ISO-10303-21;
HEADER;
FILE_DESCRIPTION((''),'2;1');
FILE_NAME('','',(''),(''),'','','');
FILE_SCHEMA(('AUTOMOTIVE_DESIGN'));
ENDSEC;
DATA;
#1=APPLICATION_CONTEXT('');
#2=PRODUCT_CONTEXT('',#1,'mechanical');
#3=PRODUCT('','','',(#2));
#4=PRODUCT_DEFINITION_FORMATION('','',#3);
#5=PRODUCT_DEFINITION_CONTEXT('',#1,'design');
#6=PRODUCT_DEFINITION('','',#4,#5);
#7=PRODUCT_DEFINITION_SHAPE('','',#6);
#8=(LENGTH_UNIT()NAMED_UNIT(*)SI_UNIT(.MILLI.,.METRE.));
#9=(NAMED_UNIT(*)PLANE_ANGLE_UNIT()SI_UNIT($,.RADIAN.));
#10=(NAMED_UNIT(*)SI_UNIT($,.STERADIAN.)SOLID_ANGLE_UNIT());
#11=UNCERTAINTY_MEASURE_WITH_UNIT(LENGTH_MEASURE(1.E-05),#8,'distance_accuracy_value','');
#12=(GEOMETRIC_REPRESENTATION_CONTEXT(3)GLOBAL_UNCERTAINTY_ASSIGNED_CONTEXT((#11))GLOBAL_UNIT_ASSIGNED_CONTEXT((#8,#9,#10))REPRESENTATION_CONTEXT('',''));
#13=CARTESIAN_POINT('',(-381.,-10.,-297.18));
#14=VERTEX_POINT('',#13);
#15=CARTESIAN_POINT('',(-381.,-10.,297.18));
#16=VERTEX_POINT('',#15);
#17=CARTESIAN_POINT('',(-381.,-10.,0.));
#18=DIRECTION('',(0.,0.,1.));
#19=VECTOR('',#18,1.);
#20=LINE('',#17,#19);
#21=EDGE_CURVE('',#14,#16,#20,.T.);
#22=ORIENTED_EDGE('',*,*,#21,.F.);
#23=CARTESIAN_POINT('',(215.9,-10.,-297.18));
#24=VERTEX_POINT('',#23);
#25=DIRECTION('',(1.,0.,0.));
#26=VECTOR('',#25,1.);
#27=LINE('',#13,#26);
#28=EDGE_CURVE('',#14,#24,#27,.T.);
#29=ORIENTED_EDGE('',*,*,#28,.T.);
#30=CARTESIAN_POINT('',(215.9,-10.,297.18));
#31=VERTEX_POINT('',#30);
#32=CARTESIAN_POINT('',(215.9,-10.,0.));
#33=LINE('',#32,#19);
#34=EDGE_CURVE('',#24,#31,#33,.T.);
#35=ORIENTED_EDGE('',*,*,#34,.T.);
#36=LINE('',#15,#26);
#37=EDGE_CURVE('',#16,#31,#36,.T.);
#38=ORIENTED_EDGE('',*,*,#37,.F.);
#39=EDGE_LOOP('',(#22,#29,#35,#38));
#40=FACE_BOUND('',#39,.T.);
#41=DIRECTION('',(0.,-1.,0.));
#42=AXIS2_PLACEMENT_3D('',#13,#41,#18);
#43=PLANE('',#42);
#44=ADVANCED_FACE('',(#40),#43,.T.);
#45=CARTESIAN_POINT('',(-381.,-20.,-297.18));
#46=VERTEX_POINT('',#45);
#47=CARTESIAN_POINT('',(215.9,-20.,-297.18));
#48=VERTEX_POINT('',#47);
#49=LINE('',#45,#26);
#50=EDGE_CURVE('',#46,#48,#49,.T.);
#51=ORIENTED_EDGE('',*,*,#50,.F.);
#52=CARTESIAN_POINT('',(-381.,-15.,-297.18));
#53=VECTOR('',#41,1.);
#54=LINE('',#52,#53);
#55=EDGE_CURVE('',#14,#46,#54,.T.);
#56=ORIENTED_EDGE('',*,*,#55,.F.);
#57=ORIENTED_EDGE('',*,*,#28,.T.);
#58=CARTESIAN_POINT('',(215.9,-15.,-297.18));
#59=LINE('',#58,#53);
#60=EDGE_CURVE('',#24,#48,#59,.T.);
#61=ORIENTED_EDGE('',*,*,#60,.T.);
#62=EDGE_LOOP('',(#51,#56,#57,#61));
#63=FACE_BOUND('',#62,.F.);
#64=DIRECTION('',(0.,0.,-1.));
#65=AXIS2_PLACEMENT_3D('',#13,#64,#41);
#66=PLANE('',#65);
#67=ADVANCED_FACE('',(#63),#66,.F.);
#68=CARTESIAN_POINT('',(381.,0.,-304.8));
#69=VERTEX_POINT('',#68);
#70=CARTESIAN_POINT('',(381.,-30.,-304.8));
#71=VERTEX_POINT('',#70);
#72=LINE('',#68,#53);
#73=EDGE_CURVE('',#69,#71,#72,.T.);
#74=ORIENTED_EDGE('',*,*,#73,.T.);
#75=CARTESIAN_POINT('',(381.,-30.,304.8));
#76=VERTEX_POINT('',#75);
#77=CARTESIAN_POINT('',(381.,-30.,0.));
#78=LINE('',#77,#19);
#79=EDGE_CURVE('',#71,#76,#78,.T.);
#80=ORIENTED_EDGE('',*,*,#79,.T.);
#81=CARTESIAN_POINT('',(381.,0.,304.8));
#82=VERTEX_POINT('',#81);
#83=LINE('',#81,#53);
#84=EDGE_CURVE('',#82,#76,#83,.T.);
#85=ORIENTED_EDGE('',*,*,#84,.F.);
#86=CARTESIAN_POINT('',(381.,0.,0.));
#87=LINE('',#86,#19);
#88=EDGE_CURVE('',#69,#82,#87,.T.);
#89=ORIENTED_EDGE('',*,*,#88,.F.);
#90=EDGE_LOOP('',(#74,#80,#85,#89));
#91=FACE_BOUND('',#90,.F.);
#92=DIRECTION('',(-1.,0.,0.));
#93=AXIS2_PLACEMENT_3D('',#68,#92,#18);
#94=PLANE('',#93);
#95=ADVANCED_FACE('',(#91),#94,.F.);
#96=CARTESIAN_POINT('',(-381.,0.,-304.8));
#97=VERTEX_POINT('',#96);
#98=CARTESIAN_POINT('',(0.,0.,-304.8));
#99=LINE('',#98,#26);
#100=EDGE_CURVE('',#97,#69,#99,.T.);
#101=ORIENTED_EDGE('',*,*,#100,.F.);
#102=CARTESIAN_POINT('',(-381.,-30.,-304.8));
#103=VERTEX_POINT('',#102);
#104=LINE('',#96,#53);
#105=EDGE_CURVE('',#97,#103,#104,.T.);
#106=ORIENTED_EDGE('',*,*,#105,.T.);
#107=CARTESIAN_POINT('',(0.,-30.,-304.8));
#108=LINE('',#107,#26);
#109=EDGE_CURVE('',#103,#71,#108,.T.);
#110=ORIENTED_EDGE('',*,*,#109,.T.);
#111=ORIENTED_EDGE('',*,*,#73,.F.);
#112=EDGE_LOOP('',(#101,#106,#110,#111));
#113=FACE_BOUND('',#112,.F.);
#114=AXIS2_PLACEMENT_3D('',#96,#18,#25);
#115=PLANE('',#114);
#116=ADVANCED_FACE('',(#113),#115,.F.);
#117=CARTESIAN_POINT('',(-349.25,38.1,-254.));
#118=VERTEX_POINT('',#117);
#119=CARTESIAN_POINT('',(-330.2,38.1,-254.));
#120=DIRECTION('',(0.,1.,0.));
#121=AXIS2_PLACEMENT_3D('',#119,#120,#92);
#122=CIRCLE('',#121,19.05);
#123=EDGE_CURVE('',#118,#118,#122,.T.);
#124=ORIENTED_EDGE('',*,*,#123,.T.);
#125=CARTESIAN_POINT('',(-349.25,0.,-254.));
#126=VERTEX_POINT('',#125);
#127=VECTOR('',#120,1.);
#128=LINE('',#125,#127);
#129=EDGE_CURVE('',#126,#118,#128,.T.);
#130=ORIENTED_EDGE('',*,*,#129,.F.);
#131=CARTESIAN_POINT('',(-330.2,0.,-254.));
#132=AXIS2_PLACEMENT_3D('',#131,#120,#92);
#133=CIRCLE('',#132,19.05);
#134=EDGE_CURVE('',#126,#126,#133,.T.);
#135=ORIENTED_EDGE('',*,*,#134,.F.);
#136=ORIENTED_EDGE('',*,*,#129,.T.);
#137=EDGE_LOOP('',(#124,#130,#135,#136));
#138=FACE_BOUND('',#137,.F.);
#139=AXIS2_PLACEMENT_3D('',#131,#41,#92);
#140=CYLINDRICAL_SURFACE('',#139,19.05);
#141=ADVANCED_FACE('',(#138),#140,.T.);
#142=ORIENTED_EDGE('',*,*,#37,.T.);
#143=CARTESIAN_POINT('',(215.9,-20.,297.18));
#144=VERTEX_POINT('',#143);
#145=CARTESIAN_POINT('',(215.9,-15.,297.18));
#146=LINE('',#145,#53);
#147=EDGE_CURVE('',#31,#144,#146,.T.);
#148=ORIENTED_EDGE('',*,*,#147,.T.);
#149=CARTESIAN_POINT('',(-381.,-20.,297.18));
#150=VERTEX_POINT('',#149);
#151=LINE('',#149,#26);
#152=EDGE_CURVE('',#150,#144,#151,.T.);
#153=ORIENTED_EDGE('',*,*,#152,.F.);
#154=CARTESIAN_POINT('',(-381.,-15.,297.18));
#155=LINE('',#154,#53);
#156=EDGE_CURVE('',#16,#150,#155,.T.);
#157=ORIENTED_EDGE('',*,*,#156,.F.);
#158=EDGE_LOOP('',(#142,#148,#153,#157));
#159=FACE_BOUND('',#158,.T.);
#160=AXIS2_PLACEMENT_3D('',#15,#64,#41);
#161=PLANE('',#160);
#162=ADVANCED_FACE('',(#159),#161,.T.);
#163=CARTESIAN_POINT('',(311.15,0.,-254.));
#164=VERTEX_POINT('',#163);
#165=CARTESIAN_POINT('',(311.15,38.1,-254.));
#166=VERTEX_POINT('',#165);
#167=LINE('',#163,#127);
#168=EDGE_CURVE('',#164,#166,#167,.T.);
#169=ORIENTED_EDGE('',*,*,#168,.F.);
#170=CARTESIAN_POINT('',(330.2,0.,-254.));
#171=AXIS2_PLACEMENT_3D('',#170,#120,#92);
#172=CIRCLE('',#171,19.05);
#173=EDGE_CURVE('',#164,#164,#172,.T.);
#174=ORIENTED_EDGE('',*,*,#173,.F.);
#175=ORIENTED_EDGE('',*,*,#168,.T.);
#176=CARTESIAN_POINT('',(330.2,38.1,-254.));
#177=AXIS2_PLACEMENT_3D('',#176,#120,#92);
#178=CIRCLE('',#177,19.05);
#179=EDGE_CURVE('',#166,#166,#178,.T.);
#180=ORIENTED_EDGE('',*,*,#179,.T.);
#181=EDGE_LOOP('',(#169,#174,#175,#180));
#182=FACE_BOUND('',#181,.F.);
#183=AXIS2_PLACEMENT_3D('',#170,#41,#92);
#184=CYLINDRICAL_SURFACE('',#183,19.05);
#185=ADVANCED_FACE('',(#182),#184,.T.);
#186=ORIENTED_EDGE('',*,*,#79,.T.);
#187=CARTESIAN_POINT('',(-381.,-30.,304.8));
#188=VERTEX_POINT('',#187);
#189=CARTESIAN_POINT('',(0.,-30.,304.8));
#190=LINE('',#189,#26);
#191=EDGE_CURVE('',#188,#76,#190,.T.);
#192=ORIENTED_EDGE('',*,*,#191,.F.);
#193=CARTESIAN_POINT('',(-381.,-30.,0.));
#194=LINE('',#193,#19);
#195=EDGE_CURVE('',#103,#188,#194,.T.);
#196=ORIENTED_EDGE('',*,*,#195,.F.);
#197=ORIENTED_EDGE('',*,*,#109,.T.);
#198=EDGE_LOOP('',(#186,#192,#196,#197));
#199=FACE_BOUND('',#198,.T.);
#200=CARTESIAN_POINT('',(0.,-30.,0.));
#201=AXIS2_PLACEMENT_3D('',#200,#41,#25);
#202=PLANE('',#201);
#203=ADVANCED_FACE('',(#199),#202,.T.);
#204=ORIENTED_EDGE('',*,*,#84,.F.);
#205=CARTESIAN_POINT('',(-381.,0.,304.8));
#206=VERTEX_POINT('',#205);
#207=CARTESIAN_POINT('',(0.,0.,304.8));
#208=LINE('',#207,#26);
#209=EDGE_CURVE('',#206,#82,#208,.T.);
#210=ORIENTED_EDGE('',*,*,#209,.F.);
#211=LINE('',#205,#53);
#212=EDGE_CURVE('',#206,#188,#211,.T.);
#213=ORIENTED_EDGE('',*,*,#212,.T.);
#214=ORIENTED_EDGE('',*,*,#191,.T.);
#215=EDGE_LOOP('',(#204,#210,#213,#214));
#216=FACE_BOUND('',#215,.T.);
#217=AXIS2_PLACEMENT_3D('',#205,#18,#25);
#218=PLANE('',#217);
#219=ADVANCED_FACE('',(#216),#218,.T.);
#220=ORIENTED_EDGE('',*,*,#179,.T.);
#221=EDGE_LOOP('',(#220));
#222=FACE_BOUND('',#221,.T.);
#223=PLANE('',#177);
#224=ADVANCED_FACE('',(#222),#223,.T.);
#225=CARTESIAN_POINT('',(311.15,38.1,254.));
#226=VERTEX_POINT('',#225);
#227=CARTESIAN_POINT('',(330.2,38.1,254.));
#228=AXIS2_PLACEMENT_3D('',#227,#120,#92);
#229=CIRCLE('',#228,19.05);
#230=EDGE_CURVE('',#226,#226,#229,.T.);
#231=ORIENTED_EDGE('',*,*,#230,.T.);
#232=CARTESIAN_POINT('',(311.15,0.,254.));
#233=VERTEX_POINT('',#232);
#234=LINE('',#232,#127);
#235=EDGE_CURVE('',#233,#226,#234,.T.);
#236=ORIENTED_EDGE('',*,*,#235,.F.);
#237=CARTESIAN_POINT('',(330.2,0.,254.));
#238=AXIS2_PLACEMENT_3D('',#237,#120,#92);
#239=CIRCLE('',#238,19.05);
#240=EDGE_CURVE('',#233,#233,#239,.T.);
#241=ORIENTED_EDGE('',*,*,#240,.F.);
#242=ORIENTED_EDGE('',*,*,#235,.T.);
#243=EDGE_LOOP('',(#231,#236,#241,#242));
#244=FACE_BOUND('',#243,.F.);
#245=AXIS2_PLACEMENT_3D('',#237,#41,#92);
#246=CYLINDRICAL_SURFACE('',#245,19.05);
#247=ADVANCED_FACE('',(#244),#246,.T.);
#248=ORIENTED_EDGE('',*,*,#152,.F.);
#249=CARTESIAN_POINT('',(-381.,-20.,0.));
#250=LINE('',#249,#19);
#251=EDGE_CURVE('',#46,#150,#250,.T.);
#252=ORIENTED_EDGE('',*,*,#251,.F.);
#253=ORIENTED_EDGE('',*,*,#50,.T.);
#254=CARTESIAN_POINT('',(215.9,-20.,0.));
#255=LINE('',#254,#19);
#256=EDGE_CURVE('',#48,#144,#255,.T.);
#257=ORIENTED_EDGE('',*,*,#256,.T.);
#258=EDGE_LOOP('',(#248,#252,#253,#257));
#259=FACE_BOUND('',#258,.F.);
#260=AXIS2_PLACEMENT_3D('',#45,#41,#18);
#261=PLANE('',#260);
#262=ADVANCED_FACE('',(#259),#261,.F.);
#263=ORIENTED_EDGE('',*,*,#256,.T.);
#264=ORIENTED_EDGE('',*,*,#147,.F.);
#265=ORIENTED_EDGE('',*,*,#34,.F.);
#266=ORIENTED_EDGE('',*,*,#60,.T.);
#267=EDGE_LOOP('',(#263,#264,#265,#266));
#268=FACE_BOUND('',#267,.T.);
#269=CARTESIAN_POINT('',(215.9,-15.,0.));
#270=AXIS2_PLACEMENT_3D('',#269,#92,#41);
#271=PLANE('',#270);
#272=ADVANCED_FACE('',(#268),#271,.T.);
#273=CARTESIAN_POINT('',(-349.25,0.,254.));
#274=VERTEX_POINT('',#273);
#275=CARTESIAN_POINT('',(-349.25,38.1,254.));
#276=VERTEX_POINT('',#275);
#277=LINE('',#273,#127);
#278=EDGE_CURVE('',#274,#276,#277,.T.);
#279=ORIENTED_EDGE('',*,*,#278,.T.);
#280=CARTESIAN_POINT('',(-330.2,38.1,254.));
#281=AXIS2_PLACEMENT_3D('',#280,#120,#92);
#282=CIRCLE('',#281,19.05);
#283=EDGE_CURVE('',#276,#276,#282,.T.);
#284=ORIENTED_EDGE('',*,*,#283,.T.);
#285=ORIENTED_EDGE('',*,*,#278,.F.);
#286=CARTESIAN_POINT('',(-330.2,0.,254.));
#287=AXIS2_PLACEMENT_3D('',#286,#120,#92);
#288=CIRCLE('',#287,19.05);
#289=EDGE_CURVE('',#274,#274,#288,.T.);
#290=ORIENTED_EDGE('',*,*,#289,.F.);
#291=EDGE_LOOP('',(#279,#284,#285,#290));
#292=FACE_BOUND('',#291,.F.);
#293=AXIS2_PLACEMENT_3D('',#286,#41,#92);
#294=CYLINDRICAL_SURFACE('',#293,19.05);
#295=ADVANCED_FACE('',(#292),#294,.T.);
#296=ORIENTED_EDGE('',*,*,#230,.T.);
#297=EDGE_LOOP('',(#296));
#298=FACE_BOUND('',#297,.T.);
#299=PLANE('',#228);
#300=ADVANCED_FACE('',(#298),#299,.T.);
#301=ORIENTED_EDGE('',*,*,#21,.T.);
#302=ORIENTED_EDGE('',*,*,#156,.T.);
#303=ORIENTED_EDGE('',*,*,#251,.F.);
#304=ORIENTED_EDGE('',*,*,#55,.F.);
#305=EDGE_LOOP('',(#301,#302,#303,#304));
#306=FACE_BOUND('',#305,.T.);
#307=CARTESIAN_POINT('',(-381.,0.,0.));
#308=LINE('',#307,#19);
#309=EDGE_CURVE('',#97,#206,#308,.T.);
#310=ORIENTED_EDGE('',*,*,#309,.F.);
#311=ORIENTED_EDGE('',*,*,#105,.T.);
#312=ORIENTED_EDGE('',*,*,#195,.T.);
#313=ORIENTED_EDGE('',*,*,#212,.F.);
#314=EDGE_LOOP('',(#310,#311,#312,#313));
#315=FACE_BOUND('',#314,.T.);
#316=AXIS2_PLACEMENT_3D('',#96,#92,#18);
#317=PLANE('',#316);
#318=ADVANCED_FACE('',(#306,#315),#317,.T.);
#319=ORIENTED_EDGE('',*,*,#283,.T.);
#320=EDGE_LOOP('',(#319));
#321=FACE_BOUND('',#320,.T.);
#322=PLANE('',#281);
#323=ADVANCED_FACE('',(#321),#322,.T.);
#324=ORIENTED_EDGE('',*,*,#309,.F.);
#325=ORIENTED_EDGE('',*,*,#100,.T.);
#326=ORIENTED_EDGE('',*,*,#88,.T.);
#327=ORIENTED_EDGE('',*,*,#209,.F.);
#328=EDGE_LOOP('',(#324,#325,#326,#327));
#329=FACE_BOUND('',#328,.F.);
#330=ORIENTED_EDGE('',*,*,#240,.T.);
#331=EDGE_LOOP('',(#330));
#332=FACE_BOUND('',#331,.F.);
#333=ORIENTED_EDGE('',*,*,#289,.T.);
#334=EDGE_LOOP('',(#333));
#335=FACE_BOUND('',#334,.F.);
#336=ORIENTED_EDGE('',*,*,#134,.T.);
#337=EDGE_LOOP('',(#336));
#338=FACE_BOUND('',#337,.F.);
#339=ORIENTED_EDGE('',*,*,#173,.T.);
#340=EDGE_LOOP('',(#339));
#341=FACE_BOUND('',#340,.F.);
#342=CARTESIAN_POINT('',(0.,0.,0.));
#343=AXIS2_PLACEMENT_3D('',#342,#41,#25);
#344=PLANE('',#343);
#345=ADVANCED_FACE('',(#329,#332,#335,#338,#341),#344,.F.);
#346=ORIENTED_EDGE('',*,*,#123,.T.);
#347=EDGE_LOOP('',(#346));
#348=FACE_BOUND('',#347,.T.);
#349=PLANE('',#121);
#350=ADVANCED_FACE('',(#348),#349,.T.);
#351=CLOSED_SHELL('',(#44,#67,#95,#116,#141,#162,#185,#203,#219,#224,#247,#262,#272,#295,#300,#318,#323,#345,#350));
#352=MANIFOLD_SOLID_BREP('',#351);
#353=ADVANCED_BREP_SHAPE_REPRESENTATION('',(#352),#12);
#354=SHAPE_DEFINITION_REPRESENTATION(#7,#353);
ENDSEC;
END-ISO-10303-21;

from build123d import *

# Parameters (mm, degrees)
F0_W     = 762
F0_H     = 609.6
F1_DEPTH = 30
F2_W     = 10
F2_H     = 594.36
F3_DEPTH = 596.9
F4_R     = 19.05
F5_DEPTH = 38.1


with BuildPart() as f1:
    # F0 (on Front) → F1 (new body)
    with BuildSketch(Plane.XZ):
        Rectangle(F0_W, F0_H)
    extrude(amount=F1_DEPTH)

    # F2 (on face) → F3 (cut)
    with BuildSketch(Plane(origin=(-381, 0, 0), x_dir=(0, -1, 0), z_dir=(-1, 0, 0))):
        with Locations((15, 0)):
            Rectangle(F2_W, F2_H)
    extrude(amount=-F3_DEPTH, mode=Mode.SUBTRACT)

    # F4 (on face) → F5 (join)
    with BuildSketch(Plane(origin=(0, 0, 0), x_dir=(-1, 0, 0), z_dir=(0, 1, 0))):
        with Locations((-330.2, 254)):
            Circle(F4_R)
        with Locations((330.2, 254)):
            Circle(F4_R)
        with Locations((330.2, -254)):
            Circle(F4_R)
        with Locations((-330.2, -254)):
            Circle(F4_R)
    extrude(amount=F5_DEPTH)


solid = f1.part
